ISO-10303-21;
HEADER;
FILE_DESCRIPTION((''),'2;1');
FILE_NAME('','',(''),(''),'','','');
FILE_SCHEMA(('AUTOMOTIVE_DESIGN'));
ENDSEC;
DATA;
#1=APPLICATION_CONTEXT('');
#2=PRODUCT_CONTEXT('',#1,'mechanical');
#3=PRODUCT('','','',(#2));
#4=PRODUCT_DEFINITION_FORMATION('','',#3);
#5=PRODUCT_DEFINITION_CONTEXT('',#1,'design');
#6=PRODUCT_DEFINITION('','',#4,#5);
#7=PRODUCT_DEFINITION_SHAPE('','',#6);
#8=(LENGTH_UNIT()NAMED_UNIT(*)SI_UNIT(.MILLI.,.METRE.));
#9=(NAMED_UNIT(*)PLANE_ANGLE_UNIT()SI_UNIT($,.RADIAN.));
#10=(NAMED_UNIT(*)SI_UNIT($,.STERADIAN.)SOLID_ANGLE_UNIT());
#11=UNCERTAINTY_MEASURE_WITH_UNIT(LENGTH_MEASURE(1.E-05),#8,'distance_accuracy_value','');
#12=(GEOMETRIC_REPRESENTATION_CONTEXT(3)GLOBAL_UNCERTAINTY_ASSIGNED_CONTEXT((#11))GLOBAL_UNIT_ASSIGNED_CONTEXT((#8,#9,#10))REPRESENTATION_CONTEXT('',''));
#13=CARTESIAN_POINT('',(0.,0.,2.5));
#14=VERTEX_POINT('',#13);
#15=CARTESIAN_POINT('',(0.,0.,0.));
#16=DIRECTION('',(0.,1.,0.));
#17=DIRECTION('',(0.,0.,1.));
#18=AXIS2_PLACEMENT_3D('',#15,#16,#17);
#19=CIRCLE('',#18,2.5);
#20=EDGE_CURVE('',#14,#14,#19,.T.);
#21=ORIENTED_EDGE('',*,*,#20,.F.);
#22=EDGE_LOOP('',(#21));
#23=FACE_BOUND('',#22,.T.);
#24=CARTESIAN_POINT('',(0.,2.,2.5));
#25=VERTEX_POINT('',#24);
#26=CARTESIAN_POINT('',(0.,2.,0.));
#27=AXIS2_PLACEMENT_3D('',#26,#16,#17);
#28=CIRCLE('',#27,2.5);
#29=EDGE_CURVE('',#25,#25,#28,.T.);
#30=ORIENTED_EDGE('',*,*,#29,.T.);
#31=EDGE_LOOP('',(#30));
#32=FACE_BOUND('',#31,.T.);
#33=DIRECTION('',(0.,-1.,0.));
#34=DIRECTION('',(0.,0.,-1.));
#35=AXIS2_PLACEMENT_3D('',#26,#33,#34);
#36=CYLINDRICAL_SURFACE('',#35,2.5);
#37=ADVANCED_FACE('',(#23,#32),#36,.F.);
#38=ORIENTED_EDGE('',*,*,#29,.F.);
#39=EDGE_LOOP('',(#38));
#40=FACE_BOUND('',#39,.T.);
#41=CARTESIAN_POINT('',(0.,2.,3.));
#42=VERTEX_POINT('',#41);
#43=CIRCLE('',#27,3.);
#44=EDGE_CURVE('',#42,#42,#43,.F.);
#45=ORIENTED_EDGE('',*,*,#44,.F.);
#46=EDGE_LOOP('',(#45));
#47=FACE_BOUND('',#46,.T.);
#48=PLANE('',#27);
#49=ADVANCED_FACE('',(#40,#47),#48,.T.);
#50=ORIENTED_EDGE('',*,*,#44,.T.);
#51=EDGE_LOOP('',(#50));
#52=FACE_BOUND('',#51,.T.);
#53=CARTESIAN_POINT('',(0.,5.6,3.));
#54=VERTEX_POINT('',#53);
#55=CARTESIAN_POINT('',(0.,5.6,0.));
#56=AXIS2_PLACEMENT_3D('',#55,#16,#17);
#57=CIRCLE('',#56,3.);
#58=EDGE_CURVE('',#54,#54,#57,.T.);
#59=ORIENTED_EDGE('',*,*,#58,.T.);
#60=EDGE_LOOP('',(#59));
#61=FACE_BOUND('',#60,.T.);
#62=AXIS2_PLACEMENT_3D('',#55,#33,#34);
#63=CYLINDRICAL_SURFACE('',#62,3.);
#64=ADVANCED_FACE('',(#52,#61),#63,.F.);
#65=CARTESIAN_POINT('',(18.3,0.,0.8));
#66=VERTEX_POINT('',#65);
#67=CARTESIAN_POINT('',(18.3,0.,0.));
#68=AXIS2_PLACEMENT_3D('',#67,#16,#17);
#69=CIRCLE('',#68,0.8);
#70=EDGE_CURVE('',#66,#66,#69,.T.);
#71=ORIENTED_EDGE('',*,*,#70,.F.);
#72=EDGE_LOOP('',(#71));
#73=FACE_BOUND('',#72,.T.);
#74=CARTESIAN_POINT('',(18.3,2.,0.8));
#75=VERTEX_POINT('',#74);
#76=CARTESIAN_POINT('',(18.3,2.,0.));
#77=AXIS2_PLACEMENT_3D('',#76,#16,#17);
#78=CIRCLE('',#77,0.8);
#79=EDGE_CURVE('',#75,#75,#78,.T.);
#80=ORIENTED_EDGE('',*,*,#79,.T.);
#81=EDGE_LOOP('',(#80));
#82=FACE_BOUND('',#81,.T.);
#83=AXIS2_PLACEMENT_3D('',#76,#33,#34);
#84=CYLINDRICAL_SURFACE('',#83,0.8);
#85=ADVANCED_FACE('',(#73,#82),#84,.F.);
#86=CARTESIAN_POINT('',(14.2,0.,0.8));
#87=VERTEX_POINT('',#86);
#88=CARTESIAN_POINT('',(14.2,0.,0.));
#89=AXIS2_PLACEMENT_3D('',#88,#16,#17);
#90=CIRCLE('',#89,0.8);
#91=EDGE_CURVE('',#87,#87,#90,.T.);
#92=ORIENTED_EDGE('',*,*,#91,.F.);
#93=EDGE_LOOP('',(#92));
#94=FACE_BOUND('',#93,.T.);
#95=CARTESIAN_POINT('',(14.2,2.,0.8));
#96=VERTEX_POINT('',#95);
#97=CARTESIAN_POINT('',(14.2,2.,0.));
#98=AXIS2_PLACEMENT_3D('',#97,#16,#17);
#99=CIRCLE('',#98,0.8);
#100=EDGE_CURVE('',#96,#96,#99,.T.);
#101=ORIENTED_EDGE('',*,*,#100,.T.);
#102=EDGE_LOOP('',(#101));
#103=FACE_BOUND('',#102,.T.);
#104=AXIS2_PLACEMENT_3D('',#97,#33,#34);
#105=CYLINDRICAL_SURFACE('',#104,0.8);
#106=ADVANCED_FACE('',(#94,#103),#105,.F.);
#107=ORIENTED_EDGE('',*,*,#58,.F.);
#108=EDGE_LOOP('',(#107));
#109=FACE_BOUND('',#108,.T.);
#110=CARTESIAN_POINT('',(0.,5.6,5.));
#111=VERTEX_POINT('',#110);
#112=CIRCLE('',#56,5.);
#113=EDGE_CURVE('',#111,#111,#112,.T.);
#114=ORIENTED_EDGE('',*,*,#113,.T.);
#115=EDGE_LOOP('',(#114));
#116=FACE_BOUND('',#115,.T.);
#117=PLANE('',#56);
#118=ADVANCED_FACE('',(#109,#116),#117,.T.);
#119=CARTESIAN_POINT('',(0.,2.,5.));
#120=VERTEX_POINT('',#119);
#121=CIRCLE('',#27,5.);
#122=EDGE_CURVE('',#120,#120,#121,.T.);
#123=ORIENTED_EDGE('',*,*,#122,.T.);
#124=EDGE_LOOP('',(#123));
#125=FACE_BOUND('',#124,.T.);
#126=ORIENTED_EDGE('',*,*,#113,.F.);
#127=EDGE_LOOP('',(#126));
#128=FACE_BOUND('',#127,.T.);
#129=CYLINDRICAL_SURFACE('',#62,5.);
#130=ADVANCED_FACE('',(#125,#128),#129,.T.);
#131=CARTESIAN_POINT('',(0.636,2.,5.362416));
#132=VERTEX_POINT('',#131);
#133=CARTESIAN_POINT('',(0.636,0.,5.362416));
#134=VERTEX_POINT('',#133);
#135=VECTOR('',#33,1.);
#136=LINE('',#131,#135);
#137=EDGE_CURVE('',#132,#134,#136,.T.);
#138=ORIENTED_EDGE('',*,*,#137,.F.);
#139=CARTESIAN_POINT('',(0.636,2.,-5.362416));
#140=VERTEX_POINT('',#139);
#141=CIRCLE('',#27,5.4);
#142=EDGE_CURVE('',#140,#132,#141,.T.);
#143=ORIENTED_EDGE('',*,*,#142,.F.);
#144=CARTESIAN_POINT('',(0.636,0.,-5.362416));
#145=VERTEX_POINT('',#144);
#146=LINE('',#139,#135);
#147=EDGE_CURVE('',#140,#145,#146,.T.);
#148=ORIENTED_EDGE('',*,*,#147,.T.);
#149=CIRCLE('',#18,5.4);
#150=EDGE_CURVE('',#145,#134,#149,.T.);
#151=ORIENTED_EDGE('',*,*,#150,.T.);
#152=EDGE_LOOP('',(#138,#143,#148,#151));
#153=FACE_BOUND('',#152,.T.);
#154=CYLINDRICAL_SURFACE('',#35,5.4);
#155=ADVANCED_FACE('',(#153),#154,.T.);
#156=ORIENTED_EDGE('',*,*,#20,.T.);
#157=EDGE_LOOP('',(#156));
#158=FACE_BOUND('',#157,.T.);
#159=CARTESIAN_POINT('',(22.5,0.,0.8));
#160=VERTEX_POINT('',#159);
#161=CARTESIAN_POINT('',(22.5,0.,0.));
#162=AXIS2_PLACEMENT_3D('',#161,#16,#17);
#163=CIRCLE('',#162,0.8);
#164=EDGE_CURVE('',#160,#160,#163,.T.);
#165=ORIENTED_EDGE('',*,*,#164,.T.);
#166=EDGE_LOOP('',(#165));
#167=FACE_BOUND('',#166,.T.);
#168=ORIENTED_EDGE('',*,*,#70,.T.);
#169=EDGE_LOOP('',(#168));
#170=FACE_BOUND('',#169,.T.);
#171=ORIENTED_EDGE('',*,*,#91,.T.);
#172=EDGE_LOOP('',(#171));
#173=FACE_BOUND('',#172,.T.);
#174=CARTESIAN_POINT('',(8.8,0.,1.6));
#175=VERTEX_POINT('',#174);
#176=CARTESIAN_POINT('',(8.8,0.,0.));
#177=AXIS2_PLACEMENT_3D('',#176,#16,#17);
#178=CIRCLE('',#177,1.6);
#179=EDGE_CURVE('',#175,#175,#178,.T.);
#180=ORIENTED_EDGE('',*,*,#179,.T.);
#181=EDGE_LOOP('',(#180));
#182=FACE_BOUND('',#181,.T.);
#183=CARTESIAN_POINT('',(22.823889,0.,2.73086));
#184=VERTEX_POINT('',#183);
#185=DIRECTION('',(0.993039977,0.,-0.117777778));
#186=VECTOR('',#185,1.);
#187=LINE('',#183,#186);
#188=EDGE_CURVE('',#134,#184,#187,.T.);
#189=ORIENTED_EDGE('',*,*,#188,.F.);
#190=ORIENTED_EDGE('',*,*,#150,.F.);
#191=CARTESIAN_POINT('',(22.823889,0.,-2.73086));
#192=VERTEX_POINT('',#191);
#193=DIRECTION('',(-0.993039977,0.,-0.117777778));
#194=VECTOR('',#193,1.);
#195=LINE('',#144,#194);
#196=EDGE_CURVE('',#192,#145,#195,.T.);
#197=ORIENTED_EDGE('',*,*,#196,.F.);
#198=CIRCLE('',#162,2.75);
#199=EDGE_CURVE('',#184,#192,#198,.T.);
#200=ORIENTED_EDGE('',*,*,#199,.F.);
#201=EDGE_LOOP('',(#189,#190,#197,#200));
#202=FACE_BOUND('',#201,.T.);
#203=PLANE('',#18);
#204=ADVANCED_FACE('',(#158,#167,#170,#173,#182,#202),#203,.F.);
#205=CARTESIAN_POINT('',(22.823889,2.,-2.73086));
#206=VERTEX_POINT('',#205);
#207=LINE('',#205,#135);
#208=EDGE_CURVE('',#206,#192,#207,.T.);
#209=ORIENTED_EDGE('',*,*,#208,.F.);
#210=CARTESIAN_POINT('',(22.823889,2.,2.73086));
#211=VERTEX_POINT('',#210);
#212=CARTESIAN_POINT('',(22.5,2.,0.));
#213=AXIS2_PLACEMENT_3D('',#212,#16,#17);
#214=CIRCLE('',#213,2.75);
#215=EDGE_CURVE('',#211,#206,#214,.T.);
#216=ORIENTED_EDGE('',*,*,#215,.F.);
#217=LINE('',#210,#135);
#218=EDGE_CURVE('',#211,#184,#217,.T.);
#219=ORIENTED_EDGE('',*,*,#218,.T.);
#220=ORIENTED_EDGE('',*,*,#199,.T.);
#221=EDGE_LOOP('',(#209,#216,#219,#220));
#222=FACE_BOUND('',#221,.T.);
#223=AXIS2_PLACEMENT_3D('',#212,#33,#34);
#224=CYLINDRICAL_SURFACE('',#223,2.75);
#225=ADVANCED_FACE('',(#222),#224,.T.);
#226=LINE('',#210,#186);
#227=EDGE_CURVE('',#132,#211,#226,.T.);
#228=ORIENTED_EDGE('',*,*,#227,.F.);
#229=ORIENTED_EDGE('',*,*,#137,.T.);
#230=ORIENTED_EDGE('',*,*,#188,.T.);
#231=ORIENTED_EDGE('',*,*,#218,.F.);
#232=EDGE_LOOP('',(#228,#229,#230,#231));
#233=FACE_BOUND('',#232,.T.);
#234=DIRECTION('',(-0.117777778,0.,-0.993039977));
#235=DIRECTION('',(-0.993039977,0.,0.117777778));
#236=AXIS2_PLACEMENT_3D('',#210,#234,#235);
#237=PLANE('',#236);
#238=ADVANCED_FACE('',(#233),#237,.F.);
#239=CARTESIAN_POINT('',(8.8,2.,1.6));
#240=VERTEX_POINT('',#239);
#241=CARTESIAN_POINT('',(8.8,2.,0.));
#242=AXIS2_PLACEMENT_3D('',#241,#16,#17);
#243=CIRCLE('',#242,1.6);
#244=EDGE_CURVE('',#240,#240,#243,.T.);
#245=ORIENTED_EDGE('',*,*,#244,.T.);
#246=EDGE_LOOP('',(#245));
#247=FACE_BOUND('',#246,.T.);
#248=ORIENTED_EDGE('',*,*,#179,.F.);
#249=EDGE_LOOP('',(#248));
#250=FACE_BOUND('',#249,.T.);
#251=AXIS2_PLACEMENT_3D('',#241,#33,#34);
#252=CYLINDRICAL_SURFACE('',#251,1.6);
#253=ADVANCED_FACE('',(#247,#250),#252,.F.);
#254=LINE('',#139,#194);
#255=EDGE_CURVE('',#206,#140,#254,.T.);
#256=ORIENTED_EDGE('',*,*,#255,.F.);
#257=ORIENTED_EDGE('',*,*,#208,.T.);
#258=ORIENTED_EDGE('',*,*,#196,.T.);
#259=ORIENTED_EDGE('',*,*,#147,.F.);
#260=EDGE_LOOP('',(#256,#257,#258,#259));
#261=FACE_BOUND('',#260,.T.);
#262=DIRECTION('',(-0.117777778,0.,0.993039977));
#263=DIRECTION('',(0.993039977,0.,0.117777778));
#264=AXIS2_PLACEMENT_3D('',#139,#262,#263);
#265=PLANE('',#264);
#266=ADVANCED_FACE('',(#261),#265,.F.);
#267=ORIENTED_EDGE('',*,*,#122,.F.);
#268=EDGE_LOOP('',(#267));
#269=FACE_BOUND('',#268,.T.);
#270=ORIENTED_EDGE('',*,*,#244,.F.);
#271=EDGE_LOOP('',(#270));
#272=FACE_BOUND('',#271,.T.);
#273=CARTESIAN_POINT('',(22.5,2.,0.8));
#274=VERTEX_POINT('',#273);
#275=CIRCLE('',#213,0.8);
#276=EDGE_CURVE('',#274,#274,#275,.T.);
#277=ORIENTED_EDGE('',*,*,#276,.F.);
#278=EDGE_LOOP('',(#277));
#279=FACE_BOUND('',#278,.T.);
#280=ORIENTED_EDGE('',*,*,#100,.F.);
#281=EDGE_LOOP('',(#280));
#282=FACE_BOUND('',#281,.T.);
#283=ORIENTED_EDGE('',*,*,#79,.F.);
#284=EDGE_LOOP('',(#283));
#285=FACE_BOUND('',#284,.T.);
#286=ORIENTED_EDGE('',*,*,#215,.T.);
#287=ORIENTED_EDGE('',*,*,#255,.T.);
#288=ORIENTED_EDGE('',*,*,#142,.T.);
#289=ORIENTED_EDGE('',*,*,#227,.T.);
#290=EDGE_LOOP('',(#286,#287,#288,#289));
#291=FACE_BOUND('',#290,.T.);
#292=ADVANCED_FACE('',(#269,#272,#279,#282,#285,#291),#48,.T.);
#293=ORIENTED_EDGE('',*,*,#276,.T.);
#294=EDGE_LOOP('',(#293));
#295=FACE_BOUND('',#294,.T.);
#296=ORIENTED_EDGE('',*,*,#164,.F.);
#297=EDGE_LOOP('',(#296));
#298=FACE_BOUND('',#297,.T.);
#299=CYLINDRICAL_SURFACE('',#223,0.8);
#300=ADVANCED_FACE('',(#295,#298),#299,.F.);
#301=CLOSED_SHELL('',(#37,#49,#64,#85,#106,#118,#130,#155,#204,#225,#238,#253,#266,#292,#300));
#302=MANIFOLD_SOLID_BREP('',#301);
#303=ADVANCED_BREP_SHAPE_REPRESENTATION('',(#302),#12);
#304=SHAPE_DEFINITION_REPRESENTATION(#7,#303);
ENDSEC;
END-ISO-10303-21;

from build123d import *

# Parameters (mm, degrees)
SKETCH_1_R        = 2.5
SKETCH_1_R_2      = 1.6
SKETCH_1_R_3      = 0.8
EXTRUDE_1_DEPTH   = 2
SKETCH_4_R        = 5
SKETCH_4_R_2      = 3
EXTRUDE_1_2_DEPTH = 3.6


with BuildPart() as part:
    # 草圖1 → Extrude 1 (new body)
    with BuildSketch(Plane(origin=(0, 0, 0), x_dir=(1, 0, 0), z_dir=(0, 1, 0))):
        with BuildLine():
            Line((0.636, 5.362415873), (22.823888889, 2.730859936))
            ThreePointArc((22.823888889, 2.730859936), (25.25, 0), (22.823888889, -2.730859936))
            Line((22.823888889, -2.730859936), (0.636, -5.362415873))
            ThreePointArc((0.636, -5.362415873), (-5.4, 0), (0.636, 5.362415873))
        make_face()
        Circle(SKETCH_1_R, mode=Mode.SUBTRACT)
        with Locations((8.8, 0)):
            Circle(SKETCH_1_R_2, mode=Mode.SUBTRACT)
        with Locations((14.2, 0)):
            Circle(SKETCH_1_R_3, mode=Mode.SUBTRACT)
        with Locations((18.3, 0)):
            Circle(SKETCH_1_R_3, mode=Mode.SUBTRACT)
        with Locations((22.5, 0)):
            Circle(SKETCH_1_R_3, mode=Mode.SUBTRACT)
    extrude(amount=EXTRUDE_1_DEPTH)

    # 草圖4 → Extrude 1 2 (add)
    with BuildSketch(Plane(origin=(0, 2, 0), x_dir=(1, 0, 0), z_dir=(0, 1, 0))):
        Circle(SKETCH_4_R)
        Circle(SKETCH_4_R_2, mode=Mode.SUBTRACT)
    extrude(amount=EXTRUDE_1_2_DEPTH)


solid = part.part
